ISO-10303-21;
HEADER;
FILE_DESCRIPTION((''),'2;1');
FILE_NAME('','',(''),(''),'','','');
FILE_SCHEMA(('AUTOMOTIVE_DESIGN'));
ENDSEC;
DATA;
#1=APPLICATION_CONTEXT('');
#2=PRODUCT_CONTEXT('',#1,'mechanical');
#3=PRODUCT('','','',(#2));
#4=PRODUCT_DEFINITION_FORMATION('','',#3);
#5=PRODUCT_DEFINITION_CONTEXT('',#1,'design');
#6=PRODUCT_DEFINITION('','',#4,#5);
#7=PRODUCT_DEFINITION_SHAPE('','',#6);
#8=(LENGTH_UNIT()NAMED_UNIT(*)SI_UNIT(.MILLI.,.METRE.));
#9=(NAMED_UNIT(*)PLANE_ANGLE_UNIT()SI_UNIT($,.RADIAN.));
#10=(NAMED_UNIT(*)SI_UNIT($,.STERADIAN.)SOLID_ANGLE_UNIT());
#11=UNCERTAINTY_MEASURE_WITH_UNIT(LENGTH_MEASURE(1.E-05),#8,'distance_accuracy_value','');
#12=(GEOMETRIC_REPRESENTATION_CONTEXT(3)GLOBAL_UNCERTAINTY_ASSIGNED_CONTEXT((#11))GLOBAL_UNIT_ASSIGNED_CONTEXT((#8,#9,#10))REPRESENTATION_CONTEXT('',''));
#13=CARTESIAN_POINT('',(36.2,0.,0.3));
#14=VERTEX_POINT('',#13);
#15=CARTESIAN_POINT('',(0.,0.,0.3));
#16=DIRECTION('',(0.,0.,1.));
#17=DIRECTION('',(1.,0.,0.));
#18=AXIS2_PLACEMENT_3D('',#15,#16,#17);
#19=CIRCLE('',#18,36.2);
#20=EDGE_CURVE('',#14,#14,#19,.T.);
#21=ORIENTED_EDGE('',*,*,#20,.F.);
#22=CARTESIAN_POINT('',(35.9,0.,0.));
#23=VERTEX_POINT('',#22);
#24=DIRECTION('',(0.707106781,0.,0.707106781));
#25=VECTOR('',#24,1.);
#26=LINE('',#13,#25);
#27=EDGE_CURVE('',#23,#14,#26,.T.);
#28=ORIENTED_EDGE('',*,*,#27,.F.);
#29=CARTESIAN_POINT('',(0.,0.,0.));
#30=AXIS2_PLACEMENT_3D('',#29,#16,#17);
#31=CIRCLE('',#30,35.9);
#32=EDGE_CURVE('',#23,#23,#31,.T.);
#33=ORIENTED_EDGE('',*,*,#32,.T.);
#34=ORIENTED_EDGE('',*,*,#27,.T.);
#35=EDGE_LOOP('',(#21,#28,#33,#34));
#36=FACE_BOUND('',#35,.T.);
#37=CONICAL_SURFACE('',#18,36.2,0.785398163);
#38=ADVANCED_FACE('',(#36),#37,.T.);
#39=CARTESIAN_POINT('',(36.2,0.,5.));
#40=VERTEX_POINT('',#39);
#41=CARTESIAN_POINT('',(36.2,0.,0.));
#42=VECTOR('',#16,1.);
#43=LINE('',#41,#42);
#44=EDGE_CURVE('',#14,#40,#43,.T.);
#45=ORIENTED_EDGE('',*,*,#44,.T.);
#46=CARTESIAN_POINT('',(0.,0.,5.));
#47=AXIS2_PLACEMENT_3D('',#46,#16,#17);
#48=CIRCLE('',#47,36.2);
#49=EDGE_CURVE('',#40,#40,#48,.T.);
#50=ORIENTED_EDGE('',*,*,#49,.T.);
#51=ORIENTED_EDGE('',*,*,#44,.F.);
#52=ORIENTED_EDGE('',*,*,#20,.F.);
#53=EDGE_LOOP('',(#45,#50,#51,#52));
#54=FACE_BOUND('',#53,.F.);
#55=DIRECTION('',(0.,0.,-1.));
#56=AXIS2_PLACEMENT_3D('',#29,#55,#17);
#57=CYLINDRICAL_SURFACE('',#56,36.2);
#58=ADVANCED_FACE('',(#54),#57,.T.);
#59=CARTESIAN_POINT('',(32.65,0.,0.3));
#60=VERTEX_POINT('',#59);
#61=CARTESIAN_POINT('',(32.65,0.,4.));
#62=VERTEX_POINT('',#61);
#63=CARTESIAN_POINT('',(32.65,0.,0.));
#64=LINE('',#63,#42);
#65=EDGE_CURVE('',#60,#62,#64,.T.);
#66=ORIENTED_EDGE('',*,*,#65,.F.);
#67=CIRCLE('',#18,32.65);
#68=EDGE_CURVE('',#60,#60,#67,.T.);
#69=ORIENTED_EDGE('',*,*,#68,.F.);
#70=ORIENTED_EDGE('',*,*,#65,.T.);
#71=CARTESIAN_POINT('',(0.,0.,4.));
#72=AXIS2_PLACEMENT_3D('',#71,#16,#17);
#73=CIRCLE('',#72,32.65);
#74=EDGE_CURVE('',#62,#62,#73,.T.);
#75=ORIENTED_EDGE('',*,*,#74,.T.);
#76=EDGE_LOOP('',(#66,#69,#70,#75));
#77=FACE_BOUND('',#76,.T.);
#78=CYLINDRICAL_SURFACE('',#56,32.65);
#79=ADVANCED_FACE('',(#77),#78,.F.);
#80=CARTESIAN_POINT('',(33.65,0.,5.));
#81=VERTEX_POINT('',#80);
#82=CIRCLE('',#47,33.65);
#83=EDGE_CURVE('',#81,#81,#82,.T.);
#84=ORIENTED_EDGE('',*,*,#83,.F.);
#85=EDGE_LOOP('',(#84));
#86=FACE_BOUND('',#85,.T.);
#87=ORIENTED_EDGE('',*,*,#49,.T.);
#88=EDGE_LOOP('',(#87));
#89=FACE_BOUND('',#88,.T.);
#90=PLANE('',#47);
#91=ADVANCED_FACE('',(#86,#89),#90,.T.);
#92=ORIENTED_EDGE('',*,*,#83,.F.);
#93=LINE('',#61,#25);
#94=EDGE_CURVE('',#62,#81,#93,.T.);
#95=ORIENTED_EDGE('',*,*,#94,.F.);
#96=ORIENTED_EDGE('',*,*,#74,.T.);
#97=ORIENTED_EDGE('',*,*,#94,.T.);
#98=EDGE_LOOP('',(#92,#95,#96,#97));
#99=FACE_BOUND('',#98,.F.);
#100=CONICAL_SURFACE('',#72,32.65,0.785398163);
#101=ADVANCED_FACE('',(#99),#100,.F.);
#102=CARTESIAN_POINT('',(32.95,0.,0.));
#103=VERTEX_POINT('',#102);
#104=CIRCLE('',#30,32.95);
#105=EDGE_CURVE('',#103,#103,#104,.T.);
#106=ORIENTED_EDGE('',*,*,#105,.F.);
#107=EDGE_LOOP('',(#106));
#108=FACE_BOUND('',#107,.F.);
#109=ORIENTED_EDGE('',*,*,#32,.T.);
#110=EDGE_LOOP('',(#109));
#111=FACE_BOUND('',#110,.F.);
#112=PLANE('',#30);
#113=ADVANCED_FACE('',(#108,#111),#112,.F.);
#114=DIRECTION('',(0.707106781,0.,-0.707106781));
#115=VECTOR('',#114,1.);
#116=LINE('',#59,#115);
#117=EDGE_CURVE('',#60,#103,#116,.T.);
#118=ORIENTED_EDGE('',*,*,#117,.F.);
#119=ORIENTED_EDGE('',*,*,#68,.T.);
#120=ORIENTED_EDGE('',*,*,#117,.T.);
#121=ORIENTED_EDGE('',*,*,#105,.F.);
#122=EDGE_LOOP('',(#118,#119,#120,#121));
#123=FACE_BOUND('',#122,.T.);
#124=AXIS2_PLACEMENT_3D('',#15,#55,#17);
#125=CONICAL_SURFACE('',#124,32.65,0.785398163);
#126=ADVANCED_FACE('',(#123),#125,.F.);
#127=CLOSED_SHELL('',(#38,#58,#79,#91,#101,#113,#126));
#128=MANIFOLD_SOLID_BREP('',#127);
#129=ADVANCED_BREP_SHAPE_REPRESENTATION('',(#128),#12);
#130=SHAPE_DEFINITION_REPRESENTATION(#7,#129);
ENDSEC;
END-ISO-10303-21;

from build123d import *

# Parameters (mm, degrees)
SKETCH_R        = 36.2
SKETCH_R_2      = 32.65
PAD_DEPTH       = 5
CHAMFER_SIZE    = 1
CHAMFER001_SIZE = 0.3


with BuildPart() as part:
    # Sketch → Pad (new body)
    with BuildSketch(Plane.XY):
        Circle(SKETCH_R)
        Circle(SKETCH_R_2, mode=Mode.SUBTRACT)
    extrude(amount=PAD_DEPTH)

    # Chamfer
    chamfer_edges = [part.edges().sort_by_distance(p)[0] for p in [
        (-32.65, 0, 5),
    ]]
    chamfer(chamfer_edges, length=CHAMFER_SIZE)

    # Chamfer001
    chamfer001_edges = [part.edges().sort_by_distance(p)[0] for p in [
        (-36.2, 0, 0),
        (-32.65, 0, 0),
    ]]
    chamfer(chamfer001_edges, length=CHAMFER001_SIZE)


solid = part.part
